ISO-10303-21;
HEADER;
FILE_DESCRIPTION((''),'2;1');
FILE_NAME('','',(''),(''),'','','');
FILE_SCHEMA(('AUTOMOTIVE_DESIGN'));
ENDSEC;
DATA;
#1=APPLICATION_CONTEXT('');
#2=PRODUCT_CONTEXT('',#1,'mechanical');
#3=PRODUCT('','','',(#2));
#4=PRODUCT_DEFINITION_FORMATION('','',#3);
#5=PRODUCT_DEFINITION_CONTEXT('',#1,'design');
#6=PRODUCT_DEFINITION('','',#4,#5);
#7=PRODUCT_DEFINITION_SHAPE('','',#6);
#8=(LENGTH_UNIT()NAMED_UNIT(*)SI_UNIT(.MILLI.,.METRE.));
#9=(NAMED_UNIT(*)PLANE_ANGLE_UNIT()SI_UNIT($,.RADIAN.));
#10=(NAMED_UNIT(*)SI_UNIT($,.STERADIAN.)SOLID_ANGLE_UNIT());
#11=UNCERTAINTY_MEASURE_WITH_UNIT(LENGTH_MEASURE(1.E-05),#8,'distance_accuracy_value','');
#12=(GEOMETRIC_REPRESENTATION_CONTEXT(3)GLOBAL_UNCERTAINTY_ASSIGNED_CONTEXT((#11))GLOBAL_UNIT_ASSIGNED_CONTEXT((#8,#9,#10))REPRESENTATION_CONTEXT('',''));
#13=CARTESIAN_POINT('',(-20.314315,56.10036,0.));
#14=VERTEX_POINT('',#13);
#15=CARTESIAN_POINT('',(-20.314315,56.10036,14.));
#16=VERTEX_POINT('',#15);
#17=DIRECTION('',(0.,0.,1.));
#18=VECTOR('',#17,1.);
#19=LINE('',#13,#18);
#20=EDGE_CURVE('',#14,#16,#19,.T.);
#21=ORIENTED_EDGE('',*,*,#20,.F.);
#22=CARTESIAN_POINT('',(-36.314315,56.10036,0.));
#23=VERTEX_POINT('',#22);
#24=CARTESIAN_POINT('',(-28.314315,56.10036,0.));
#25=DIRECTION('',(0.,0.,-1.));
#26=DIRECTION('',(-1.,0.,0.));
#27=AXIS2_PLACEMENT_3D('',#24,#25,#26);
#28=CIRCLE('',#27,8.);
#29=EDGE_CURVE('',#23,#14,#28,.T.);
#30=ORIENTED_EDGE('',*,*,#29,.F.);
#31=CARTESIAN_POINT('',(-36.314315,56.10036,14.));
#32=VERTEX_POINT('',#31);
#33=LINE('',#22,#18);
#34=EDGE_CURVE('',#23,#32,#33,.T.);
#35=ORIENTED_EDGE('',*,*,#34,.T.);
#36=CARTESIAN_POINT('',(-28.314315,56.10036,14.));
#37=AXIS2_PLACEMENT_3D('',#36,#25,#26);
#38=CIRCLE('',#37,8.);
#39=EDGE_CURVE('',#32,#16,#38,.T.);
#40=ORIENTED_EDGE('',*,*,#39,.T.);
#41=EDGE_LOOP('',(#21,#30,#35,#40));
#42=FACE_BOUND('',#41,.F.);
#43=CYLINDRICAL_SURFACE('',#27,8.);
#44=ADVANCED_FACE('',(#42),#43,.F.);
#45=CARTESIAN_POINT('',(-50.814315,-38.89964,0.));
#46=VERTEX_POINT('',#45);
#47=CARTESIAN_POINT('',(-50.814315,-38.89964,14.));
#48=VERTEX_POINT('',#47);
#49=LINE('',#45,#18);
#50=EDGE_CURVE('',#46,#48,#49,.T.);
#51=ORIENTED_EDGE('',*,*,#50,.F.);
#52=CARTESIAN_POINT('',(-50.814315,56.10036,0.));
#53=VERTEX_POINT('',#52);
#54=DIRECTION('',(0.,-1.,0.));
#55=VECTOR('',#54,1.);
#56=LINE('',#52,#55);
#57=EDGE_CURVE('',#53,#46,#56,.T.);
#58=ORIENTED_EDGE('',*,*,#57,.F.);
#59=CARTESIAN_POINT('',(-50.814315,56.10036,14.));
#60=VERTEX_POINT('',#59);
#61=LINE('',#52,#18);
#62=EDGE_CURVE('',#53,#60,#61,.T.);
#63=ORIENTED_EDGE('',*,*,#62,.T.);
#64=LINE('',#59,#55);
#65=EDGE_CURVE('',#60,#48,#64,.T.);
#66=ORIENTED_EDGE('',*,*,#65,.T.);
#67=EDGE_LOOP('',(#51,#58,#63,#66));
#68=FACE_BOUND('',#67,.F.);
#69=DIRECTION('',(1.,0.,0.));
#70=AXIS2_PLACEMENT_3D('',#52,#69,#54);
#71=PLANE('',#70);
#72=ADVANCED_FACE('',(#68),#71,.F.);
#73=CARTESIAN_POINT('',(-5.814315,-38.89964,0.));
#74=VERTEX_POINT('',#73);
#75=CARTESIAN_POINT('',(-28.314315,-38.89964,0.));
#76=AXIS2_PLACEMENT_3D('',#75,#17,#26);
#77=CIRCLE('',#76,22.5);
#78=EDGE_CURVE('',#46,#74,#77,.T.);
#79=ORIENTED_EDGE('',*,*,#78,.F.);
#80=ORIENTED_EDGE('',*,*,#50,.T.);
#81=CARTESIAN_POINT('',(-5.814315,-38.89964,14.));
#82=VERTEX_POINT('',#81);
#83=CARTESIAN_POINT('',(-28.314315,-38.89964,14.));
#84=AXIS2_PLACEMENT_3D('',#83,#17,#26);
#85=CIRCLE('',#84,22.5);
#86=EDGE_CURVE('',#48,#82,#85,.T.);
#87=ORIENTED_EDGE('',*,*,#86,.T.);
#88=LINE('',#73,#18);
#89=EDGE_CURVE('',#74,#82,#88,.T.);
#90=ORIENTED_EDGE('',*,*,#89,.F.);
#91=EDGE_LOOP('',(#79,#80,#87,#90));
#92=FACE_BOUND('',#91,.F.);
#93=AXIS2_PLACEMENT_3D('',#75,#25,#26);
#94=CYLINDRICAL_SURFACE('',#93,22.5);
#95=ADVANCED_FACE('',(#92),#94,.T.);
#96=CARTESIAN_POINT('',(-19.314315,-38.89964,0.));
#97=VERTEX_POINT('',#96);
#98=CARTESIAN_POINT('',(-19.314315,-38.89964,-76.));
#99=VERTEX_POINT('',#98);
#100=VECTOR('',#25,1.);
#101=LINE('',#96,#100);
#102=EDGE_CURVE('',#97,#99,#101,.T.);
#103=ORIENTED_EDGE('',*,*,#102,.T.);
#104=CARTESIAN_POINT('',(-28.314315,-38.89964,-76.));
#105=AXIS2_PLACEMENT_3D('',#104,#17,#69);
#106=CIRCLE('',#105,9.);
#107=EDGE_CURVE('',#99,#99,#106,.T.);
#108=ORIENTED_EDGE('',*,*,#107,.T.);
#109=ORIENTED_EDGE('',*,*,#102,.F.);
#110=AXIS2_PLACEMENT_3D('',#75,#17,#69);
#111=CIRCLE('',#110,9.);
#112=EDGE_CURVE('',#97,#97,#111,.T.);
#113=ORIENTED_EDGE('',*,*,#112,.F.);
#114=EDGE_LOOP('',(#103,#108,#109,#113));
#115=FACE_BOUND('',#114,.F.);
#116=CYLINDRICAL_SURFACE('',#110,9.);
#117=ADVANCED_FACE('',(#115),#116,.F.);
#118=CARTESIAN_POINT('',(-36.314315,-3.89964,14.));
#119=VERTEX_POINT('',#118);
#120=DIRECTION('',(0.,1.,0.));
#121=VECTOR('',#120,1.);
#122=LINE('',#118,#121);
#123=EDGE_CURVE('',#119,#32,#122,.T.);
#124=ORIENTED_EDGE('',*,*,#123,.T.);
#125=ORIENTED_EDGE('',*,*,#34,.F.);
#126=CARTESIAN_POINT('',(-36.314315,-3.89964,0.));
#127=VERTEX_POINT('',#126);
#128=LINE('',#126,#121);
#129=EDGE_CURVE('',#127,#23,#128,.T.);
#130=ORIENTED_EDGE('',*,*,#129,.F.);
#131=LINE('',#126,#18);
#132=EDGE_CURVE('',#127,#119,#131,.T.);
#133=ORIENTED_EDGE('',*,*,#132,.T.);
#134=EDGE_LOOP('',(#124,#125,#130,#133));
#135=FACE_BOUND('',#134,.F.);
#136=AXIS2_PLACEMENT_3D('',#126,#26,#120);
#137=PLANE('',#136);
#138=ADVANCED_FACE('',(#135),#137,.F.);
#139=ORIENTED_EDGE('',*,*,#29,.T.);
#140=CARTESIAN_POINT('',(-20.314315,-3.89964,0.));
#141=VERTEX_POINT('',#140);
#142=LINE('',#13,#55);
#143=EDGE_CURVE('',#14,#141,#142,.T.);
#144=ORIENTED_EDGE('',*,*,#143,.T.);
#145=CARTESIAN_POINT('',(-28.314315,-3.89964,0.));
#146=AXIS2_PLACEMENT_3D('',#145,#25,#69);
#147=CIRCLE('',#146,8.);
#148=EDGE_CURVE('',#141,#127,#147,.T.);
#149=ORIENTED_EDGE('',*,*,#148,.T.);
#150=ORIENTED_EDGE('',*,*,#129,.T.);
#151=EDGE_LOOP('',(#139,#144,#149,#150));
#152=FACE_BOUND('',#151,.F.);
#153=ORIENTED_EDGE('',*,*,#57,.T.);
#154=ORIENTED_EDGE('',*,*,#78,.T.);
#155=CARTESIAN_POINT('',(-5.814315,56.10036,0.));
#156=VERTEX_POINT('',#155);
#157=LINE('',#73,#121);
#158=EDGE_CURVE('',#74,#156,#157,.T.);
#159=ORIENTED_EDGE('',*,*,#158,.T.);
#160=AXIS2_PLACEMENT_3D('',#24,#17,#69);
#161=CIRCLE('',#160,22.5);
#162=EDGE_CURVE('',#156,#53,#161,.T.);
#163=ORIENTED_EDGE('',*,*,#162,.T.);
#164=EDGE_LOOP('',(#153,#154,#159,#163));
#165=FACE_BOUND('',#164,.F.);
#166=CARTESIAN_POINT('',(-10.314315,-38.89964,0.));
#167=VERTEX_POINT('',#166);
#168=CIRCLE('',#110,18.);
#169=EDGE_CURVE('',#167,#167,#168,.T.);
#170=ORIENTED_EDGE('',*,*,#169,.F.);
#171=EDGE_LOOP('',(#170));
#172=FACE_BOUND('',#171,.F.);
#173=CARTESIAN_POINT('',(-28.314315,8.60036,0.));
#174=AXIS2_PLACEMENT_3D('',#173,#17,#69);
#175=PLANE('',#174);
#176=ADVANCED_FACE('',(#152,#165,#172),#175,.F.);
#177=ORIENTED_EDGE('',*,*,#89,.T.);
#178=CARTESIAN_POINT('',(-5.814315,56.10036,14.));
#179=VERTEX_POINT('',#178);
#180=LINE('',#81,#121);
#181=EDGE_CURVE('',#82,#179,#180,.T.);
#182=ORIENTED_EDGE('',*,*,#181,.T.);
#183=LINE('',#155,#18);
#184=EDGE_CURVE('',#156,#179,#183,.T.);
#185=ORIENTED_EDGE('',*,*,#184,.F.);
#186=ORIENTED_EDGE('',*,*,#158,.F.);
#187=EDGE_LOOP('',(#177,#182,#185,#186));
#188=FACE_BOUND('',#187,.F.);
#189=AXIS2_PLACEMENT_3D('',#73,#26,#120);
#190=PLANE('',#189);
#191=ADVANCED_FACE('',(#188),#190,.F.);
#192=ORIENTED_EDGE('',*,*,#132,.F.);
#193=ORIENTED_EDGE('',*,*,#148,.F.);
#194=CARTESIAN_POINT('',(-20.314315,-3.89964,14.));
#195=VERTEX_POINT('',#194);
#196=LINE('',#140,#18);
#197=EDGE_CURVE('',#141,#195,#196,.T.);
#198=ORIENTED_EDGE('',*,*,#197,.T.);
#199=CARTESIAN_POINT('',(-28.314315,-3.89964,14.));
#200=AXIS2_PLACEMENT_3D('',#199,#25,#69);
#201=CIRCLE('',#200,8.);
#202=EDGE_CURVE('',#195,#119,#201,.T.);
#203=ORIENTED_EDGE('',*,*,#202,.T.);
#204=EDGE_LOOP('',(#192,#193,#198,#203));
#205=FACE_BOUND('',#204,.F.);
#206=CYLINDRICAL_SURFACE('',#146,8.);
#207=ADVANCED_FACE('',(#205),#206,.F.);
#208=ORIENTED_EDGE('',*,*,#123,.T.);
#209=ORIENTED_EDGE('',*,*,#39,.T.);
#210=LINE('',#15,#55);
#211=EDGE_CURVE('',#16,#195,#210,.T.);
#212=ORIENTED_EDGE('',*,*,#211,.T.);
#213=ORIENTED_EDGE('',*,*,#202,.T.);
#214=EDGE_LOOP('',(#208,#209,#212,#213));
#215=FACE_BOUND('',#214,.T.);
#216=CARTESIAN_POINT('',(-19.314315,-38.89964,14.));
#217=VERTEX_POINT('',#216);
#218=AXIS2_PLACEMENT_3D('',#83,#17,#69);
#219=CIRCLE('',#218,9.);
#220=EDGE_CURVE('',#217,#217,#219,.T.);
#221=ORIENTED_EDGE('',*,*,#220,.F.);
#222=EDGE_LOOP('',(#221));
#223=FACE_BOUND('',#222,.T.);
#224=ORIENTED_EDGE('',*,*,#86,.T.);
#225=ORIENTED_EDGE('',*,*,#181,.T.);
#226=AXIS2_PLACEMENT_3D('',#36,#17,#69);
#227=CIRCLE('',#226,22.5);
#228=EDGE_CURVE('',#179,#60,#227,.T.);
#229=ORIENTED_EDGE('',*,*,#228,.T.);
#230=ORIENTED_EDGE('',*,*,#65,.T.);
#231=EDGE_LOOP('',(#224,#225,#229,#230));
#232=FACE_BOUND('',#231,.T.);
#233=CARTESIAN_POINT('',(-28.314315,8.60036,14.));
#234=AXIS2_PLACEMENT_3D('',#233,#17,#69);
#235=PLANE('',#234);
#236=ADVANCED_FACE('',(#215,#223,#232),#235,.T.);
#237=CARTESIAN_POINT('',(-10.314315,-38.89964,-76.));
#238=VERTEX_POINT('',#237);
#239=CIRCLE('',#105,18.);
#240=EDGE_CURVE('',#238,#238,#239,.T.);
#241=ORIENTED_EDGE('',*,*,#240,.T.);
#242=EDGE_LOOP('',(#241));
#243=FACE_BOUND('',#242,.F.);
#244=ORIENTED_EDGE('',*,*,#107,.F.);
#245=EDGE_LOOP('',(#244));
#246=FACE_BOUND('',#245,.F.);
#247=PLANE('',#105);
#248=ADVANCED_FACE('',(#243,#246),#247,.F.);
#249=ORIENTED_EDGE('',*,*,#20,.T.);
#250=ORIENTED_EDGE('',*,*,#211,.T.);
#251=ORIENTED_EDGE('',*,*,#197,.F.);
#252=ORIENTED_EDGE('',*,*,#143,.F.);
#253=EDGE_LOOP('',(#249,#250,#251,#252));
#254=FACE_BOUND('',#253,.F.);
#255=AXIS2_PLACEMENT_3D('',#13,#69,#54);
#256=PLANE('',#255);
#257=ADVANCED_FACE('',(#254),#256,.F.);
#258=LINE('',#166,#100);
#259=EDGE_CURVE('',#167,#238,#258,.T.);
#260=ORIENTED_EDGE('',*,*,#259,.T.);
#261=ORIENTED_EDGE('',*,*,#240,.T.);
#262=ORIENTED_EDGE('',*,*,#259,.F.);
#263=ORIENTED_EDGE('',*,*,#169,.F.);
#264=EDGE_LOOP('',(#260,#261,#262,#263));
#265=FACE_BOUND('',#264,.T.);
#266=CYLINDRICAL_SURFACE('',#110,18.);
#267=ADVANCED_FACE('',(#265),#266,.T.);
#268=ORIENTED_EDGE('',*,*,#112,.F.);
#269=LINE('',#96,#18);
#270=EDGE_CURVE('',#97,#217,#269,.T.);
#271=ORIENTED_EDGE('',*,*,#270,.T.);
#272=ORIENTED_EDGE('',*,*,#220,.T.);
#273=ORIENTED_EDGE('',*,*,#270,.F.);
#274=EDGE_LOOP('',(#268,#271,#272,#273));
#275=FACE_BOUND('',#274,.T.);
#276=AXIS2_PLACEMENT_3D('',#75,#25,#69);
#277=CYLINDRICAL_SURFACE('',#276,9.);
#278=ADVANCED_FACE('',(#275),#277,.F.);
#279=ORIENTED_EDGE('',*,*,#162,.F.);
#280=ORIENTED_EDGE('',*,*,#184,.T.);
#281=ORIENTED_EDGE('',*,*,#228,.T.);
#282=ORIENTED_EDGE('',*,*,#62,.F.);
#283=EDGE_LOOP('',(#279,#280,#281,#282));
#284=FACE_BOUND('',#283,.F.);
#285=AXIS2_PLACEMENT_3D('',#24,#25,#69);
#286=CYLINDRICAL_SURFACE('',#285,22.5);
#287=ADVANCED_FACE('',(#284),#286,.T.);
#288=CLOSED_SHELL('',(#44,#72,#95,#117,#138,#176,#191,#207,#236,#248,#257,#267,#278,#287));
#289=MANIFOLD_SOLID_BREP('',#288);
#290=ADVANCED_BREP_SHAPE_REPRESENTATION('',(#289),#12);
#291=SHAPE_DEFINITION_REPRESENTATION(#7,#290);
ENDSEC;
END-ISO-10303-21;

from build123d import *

# Parameters (mm, degrees)
F0_R     = 18
F0_R_2   = 9
F1_DEPTH = 14
F2_DEPTH = 76


with BuildPart() as f1:
    # F0 (on Top) → F1 (new body)
    with BuildSketch(Plane.XY):
        with BuildLine():
            Line((-5.814315, -38.89964), (-5.814315, 56.10036))
            ThreePointArc((-5.814315, 56.10036), (-28.314315, 78.60036), (-50.814315, 56.10036))
            Line((-50.814315, 56.10036), (-50.814315, -38.89964))
            ThreePointArc((-50.814315, -38.89964), (-28.314315, -61.39964), (-5.814315, -38.89964))
        make_face()
        with Locations((-28.314315, -38.89964)):
            Circle(F0_R, mode=Mode.SUBTRACT)
        with BuildLine():
            Line((-36.314315, -3.89964), (-36.314315, 56.10036))
            ThreePointArc((-36.314315, 56.10036), (-28.314315, 64.10036), (-20.314315, 56.10036))
            Line((-20.314315, 56.10036), (-20.314315, -3.89964))
            ThreePointArc((-20.314315, -3.89964), (-28.314315, -11.89964), (-36.314315, -3.89964))
        make_face(mode=Mode.SUBTRACT)
        with Locations((-28.314315, -38.89964)):
            Circle(F0_R)
        with Locations((-28.314315, -38.89964)):
            Circle(F0_R_2, mode=Mode.SUBTRACT)
    extrude(amount=F1_DEPTH)

    # F0 (on Top) → F2 (join)
    with BuildSketch(Plane.XY):
        with Locations((-28.314315, -38.89964)):
            Circle(F0_R)
        with Locations((-28.314315, -38.89964)):
            Circle(F0_R_2, mode=Mode.SUBTRACT)
    extrude(amount=-F2_DEPTH)


solid = f1.part
